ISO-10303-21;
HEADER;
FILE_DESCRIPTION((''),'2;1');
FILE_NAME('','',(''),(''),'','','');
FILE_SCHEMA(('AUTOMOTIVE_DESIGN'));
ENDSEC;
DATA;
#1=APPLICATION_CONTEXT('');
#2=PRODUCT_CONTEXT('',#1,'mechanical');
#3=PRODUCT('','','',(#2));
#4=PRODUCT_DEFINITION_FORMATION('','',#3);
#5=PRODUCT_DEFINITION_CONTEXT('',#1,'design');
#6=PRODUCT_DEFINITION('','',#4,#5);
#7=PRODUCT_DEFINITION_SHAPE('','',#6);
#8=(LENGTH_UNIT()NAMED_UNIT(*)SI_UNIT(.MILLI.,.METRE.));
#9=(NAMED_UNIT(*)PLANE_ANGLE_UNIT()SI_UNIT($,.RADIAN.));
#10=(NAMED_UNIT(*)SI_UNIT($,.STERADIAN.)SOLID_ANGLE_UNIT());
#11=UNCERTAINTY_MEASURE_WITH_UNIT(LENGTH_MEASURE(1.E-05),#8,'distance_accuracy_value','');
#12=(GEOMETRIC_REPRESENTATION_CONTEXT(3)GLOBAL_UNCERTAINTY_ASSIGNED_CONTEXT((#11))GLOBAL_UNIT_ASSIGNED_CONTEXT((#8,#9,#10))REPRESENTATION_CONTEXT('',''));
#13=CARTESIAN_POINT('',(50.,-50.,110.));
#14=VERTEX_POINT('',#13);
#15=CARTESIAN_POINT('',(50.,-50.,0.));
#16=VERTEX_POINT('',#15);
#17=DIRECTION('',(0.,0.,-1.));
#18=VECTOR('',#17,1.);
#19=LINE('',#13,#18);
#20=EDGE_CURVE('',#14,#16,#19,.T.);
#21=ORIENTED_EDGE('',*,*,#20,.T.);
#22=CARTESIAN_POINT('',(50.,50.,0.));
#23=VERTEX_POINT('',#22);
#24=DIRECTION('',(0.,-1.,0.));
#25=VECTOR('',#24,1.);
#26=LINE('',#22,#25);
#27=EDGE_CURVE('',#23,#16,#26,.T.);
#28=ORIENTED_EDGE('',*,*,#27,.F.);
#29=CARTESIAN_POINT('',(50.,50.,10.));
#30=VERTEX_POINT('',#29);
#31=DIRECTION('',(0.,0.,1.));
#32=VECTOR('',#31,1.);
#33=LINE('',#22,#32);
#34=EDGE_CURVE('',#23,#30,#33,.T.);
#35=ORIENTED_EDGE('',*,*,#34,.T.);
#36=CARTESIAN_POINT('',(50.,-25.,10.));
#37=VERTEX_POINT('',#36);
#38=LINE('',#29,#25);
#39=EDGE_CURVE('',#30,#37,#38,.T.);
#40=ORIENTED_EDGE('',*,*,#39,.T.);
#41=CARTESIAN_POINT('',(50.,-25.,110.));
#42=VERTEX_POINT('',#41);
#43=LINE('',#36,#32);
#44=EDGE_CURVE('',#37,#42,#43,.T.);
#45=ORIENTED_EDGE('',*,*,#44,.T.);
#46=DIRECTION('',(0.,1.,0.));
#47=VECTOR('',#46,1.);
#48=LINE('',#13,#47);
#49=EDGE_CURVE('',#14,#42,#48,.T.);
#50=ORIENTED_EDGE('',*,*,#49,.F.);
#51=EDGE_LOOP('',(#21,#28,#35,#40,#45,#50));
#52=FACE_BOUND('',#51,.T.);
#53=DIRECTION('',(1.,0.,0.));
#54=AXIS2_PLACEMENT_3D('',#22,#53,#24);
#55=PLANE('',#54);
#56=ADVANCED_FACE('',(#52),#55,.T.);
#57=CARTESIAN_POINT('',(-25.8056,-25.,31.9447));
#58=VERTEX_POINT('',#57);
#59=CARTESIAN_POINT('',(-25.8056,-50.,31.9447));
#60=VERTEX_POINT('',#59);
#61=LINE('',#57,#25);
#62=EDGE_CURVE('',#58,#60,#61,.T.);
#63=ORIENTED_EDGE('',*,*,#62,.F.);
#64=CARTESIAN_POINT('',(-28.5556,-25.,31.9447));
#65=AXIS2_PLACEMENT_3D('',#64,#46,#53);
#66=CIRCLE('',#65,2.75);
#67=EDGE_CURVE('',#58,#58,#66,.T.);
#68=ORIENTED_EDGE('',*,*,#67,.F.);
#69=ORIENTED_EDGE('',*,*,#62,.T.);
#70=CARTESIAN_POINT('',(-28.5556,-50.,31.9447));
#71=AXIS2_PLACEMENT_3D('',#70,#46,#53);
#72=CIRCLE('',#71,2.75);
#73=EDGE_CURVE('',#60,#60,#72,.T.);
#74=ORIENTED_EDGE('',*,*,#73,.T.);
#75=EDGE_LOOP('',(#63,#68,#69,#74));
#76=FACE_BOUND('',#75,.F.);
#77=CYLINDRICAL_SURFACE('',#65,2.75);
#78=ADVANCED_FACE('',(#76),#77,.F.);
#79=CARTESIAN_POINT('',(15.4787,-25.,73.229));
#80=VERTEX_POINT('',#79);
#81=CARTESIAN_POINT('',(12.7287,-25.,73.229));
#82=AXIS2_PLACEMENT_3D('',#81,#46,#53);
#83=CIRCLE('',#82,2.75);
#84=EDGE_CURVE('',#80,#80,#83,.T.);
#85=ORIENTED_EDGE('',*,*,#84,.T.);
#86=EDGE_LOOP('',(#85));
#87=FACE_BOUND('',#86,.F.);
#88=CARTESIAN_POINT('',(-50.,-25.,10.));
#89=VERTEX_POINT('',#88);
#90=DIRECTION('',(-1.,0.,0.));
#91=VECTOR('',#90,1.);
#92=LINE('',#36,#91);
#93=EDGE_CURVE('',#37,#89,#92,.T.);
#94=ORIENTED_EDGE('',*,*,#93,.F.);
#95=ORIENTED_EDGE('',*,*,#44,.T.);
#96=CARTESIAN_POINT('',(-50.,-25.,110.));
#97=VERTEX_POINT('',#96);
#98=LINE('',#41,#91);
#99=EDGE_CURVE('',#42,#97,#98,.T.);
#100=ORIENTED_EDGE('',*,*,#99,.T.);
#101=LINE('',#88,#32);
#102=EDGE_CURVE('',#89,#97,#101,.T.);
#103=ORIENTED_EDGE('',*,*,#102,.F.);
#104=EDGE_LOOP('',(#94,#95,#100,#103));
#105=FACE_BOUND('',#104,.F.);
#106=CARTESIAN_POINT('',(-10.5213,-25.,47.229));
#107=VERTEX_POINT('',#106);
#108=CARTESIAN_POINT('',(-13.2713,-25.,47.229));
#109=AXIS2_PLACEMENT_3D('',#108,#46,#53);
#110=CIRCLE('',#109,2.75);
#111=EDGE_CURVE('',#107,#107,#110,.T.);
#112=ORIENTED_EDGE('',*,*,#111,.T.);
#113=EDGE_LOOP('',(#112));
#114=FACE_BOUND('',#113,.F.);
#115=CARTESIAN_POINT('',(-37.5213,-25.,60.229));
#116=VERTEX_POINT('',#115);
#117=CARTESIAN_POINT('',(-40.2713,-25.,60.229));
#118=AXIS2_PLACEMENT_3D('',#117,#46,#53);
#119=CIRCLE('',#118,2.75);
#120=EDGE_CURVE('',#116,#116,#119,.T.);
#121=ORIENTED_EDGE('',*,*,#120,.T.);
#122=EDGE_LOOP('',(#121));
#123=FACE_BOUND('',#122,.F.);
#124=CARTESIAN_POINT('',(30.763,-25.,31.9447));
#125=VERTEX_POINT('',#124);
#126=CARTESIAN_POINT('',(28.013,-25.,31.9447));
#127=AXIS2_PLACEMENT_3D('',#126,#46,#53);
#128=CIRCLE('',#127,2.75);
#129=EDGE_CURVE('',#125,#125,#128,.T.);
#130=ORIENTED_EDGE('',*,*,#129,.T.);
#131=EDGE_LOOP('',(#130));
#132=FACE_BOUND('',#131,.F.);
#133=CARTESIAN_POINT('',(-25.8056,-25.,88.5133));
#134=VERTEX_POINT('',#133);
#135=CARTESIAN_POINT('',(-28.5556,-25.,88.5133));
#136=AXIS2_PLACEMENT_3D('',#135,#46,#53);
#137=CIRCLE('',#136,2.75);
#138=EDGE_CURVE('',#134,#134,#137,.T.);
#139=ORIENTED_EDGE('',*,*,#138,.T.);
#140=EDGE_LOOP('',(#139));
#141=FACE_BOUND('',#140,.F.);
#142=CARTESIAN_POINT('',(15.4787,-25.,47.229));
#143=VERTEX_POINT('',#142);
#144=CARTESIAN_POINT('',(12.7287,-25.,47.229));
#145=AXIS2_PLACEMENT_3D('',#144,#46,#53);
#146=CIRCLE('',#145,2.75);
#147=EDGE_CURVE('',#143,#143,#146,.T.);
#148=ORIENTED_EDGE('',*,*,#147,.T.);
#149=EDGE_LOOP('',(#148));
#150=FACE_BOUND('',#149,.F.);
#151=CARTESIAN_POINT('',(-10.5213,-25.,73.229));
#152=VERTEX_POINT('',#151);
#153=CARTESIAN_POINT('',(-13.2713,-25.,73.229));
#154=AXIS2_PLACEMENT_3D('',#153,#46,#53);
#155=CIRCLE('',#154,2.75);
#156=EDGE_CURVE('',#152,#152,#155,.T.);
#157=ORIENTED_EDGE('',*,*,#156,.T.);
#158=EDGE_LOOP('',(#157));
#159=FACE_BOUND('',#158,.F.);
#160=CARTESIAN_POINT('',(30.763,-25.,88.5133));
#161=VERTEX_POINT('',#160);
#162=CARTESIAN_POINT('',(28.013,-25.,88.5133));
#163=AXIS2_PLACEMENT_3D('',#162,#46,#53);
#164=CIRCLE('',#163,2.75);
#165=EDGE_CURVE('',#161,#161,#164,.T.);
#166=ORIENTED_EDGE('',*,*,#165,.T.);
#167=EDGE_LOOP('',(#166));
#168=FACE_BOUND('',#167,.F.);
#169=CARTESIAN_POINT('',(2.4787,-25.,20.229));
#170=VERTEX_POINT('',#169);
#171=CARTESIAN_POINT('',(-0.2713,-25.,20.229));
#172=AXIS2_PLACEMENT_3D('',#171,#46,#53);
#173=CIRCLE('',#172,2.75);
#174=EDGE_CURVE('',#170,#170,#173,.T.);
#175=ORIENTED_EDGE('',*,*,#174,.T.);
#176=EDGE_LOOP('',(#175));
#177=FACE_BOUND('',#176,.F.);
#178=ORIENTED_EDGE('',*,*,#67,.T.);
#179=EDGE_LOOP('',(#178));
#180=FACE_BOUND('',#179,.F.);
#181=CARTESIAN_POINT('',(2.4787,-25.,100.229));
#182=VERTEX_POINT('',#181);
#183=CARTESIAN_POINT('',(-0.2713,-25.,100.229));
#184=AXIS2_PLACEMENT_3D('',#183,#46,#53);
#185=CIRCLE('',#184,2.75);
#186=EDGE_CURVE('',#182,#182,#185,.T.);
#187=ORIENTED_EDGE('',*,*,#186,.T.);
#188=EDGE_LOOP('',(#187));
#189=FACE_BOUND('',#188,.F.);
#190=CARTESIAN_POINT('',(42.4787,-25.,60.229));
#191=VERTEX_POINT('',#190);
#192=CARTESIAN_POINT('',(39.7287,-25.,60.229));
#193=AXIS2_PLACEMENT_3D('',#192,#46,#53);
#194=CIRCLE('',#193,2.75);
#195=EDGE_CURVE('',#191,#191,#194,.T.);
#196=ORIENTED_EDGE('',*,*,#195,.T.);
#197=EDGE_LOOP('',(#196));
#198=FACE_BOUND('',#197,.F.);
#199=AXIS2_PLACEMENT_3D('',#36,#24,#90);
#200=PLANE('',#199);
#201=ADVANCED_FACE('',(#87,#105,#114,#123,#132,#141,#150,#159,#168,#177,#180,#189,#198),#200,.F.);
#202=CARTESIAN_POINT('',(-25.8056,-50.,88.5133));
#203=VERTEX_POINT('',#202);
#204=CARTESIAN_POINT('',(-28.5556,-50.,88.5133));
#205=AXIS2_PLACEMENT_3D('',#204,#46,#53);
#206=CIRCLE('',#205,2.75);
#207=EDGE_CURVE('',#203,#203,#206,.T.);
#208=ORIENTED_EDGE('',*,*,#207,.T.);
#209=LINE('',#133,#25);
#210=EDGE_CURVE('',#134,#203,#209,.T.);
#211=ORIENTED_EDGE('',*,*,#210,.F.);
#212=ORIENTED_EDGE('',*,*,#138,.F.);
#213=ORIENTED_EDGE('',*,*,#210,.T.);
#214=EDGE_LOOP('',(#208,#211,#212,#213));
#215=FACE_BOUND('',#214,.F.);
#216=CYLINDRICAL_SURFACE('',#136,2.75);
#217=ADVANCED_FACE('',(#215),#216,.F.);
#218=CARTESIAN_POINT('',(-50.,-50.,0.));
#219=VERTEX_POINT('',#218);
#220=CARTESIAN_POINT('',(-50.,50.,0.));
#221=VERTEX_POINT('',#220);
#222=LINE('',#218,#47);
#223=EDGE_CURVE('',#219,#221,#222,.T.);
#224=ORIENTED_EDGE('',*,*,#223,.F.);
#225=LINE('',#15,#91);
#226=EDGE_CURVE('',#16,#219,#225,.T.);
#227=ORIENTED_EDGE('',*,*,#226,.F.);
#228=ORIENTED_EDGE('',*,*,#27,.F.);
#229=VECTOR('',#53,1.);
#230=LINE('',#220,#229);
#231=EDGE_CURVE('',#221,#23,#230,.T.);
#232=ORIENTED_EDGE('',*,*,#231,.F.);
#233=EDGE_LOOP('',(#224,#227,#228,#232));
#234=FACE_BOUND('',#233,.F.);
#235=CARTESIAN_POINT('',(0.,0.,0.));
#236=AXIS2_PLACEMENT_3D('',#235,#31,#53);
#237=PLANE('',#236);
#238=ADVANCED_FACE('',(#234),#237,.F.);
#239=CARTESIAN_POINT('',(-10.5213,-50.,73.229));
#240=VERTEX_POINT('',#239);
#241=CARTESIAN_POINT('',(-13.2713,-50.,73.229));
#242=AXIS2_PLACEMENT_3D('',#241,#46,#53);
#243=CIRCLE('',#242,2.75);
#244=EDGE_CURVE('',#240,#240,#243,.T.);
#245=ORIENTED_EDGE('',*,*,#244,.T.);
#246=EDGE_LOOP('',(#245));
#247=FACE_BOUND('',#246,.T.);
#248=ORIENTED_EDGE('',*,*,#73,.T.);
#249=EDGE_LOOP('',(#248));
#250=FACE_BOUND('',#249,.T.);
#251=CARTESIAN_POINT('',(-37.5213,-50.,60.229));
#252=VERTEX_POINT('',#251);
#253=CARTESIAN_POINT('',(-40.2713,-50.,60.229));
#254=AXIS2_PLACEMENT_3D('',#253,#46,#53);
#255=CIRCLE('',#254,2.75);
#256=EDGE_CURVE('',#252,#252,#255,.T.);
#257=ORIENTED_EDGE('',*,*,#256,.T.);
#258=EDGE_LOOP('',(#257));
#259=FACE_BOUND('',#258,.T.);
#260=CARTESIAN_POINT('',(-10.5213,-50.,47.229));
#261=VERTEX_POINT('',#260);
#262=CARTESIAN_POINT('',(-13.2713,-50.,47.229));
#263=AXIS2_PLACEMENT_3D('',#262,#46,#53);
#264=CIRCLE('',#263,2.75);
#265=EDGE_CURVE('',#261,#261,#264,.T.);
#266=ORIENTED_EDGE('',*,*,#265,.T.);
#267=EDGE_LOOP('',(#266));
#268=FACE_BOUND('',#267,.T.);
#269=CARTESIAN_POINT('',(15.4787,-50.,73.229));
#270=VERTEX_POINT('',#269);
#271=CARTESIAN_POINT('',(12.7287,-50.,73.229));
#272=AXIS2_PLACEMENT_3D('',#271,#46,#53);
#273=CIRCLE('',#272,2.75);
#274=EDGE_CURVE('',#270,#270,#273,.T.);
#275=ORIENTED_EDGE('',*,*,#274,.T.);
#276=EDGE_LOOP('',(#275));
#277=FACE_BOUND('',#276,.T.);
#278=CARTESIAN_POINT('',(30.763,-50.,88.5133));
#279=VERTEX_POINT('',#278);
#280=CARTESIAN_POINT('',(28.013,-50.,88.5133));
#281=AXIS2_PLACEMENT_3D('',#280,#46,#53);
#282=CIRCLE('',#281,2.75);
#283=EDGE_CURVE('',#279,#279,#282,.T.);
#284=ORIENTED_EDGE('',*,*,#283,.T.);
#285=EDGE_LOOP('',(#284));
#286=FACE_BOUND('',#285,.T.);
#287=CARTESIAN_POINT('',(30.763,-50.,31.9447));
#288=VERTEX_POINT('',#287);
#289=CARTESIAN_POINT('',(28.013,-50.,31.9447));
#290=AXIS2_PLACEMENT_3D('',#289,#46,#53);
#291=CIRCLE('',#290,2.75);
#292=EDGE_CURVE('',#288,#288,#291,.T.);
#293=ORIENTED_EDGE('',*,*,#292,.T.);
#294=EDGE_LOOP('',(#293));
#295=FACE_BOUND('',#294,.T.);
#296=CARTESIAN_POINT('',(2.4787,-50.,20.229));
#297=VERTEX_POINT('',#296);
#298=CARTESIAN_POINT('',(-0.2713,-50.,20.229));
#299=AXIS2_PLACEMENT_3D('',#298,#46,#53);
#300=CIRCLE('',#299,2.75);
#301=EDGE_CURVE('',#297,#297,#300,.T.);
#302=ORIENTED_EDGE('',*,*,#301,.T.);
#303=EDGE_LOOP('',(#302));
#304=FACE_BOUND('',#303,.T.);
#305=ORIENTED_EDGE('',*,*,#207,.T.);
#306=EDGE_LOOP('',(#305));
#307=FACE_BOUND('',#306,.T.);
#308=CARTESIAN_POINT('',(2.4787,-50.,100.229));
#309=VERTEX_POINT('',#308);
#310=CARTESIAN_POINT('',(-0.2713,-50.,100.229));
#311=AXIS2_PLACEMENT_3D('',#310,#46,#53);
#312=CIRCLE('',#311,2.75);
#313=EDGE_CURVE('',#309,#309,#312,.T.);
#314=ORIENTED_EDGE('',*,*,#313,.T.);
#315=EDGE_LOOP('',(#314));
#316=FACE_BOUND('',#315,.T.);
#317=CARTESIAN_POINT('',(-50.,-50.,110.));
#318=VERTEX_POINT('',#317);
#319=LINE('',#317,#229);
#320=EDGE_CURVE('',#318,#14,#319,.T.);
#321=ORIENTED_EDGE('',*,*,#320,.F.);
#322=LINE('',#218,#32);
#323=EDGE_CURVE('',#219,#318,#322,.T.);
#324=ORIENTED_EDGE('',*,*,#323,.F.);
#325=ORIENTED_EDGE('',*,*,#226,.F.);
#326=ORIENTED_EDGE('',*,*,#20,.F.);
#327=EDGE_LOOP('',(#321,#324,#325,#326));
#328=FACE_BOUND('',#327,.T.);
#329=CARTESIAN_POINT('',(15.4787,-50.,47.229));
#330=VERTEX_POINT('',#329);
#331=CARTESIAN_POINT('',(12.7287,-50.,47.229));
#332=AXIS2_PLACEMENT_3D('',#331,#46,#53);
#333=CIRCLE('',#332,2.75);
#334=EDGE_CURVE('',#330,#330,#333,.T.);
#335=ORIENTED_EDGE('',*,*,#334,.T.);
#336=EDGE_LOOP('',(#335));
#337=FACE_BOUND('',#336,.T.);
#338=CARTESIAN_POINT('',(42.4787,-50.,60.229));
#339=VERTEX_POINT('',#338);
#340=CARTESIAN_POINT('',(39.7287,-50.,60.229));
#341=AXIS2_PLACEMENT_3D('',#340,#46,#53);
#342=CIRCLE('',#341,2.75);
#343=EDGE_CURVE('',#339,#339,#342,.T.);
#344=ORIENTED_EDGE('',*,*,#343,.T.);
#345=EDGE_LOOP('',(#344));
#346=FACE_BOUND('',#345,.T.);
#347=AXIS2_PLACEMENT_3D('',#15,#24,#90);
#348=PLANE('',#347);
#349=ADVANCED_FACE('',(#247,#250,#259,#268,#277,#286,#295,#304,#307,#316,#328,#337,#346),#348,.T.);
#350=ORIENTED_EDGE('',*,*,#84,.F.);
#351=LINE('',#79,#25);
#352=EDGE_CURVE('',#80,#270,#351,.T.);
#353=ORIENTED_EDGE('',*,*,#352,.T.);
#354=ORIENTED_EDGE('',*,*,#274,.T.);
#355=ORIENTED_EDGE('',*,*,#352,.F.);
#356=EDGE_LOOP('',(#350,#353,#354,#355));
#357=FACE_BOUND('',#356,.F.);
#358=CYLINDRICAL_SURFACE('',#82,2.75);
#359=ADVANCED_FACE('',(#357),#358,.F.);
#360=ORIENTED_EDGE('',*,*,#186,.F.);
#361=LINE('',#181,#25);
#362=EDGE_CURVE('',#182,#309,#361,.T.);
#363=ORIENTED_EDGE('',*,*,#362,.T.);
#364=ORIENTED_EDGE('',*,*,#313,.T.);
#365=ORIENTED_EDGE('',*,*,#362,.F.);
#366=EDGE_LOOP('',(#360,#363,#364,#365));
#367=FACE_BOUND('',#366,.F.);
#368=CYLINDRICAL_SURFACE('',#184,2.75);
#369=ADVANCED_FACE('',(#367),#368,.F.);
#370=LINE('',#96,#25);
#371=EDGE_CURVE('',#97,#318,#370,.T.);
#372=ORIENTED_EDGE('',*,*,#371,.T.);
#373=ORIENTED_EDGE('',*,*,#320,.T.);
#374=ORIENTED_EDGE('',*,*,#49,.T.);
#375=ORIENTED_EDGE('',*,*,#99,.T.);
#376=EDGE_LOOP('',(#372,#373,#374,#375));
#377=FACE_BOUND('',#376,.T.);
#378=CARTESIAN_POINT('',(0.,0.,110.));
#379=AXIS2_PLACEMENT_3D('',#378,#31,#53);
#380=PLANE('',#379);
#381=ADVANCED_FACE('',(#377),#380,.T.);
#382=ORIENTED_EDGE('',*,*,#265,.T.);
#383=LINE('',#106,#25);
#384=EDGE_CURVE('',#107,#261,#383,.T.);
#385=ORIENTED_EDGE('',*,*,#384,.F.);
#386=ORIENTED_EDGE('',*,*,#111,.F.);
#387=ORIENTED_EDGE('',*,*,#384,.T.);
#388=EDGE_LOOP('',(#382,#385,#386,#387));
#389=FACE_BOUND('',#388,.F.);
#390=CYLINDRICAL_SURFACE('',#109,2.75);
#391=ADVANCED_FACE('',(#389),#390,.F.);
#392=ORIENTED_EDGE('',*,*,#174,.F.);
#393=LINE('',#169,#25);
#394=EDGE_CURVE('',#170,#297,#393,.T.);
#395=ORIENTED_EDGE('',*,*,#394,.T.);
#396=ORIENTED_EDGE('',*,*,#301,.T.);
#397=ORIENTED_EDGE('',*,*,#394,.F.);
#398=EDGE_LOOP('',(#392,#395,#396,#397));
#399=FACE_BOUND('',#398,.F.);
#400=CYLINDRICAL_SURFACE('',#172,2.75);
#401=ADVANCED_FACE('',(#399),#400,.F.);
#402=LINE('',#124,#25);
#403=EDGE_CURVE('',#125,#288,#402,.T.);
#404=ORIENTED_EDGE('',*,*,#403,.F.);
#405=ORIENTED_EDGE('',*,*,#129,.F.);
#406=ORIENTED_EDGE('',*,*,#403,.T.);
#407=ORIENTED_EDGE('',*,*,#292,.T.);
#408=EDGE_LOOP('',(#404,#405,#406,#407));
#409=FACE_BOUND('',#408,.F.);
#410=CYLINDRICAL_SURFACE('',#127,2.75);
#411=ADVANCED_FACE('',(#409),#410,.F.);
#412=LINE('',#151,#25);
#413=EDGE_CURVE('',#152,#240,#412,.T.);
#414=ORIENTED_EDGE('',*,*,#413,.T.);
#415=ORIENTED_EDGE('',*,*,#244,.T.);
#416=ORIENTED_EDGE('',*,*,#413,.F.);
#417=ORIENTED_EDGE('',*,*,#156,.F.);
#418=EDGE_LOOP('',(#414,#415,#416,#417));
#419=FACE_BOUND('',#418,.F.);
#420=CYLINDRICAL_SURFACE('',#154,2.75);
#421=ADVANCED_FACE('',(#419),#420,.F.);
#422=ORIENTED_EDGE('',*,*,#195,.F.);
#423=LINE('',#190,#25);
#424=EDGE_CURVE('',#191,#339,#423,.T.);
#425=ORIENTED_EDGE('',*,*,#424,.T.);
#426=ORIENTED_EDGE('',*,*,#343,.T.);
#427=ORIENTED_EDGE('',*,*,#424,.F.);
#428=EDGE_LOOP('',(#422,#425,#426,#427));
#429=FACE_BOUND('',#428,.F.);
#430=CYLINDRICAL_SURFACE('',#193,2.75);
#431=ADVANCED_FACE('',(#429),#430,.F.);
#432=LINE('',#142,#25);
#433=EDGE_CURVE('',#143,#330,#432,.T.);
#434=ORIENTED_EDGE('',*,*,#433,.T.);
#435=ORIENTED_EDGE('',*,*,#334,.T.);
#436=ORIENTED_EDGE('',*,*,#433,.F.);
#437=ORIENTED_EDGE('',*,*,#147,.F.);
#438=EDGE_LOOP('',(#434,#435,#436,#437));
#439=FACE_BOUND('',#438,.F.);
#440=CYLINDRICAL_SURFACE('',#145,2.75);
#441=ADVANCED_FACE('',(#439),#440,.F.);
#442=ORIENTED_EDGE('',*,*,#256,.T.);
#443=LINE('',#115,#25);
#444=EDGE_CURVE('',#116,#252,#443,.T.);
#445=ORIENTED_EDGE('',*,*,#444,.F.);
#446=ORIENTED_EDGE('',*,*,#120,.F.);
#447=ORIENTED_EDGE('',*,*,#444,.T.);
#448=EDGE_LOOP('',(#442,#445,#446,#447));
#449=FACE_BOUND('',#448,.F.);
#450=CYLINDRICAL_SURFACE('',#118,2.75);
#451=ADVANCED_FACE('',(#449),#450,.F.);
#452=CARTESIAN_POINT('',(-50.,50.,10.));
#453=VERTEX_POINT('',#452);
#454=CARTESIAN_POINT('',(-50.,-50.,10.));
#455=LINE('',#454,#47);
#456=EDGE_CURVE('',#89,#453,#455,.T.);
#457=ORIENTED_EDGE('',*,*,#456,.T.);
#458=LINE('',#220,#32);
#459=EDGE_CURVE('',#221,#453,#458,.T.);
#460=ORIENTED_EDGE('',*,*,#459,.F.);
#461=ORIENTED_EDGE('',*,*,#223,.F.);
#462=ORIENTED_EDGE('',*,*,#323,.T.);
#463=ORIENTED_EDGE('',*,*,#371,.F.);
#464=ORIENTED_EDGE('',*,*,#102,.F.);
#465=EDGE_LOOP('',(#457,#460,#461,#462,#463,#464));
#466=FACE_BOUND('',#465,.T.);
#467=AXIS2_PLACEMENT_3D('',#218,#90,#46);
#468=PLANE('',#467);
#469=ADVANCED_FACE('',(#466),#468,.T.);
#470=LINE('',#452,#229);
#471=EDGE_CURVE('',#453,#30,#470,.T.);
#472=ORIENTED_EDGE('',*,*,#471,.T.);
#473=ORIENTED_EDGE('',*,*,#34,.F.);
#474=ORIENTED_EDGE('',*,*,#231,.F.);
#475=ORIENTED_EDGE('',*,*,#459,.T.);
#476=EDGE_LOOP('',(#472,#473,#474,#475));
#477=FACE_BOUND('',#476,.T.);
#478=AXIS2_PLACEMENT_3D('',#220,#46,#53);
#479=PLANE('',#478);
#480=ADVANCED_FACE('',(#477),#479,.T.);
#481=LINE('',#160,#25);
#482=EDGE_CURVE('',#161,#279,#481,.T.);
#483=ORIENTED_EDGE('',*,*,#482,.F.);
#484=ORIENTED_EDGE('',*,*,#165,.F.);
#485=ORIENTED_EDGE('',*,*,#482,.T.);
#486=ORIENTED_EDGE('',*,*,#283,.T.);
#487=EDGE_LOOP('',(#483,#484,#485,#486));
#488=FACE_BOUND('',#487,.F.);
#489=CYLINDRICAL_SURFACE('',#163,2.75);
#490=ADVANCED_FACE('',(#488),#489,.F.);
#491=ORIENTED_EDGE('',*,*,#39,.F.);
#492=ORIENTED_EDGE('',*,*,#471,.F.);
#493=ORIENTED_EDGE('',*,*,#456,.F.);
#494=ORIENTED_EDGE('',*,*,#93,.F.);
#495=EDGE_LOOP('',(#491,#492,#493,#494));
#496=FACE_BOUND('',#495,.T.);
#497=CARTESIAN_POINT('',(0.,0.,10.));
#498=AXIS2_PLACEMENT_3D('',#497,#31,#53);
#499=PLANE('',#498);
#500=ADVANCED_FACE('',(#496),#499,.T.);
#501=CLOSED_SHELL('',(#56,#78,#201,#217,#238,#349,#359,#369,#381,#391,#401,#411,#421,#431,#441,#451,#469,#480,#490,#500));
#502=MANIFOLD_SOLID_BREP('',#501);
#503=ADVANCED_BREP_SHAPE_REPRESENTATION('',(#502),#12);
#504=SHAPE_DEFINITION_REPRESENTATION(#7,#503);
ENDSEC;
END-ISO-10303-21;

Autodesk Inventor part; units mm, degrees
ref_plane "YZ Plane" through (0, 0, 0) normal (1, 0, 0) x (0, 1, 0)
ref_plane "XZ Plane" through (0, 0, 0) normal (0, 1, 0) x (-1, 0, 0)
ref_plane "XY Plane" through (0, 0, 0) normal (0, 0, 1) x (1, 0, 0)
sketch "Szkic1" plane through (0, 0, 0) normal (0, 0, 1) x (1, 0, 0)
  line L0 (-50, 50) -> (50, 50)
  line L1 (50, 50) -> (50, -50)
  line L2 (50, -50) -> (-50, -50)
  line L3 (-50, -50) -> (-50, 50)
  point P0 (0, 0)
  point P1 (0, 50)
  point P2 (-50, 0)
  dimension "d0" = 100
  dimension "d1" = 100
extrude "Wyciągnięcie proste1" add sketch "Szkic1" along normal blind 10
sketch "Szkic2" plane through (0, 0, 10) normal (0, 0, 1) x (1, 0, 0)
  line L0 (-50, -50) -> (50, -50) projected
  line L1 (50, -50) -> (50, 50) projected
  line L2 (-50, -50) -> (50, -50)
  line L3 (50, -50) -> (50, -25)
  line L4 (50, -25) -> (-50, -25)
  line L5 (-50, -25) -> (-50, -50)
  point P0 (0, 0)
  dimension "d4" = 25
extrude "Wyciągnięcie proste2" add sketch "Szkic2" along normal blind 100
sketch "Szkic3" plane through (-50, -25, 10) normal (0, 1, 0) x (1, 0, 0)
  circle A0 centre (49.7287, -50.229) radius 50
  circle A1 centre (36.7287, -37.229) radius 2.75
  circle A2 centre (36.7287, -63.229) radius 2.75
  circle A3 centre (62.7287, -37.229) radius 2.75
  circle A4 centre (62.7287, -63.229) radius 2.75
  circle A5 centre (78.013, -78.5133) radius 2.75
  circle A6 centre (89.7287, -50.229) radius 2.75
  circle A7 centre (78.013, -21.9447) radius 2.75
  circle A8 centre (49.7287, -10.229) radius 2.75
  circle A9 centre (21.4444, -21.9447) radius 2.75
  circle A10 centre (9.7287, -50.229) radius 2.75
  circle A11 centre (21.4444, -78.5133) radius 2.75
  circle A12 centre (49.7287, -90.229) radius 2.75
  point P0 (50, 10)
extrude "Wyciągnięcie proste3" cut sketch "Szkic3" against normal blind 100 contours A1 | A2 | A3 | A4 | A5 | A6 | A7 | A8 | A9 | A10 | A11 | A12
properties part number "uchwyt chwytak"
